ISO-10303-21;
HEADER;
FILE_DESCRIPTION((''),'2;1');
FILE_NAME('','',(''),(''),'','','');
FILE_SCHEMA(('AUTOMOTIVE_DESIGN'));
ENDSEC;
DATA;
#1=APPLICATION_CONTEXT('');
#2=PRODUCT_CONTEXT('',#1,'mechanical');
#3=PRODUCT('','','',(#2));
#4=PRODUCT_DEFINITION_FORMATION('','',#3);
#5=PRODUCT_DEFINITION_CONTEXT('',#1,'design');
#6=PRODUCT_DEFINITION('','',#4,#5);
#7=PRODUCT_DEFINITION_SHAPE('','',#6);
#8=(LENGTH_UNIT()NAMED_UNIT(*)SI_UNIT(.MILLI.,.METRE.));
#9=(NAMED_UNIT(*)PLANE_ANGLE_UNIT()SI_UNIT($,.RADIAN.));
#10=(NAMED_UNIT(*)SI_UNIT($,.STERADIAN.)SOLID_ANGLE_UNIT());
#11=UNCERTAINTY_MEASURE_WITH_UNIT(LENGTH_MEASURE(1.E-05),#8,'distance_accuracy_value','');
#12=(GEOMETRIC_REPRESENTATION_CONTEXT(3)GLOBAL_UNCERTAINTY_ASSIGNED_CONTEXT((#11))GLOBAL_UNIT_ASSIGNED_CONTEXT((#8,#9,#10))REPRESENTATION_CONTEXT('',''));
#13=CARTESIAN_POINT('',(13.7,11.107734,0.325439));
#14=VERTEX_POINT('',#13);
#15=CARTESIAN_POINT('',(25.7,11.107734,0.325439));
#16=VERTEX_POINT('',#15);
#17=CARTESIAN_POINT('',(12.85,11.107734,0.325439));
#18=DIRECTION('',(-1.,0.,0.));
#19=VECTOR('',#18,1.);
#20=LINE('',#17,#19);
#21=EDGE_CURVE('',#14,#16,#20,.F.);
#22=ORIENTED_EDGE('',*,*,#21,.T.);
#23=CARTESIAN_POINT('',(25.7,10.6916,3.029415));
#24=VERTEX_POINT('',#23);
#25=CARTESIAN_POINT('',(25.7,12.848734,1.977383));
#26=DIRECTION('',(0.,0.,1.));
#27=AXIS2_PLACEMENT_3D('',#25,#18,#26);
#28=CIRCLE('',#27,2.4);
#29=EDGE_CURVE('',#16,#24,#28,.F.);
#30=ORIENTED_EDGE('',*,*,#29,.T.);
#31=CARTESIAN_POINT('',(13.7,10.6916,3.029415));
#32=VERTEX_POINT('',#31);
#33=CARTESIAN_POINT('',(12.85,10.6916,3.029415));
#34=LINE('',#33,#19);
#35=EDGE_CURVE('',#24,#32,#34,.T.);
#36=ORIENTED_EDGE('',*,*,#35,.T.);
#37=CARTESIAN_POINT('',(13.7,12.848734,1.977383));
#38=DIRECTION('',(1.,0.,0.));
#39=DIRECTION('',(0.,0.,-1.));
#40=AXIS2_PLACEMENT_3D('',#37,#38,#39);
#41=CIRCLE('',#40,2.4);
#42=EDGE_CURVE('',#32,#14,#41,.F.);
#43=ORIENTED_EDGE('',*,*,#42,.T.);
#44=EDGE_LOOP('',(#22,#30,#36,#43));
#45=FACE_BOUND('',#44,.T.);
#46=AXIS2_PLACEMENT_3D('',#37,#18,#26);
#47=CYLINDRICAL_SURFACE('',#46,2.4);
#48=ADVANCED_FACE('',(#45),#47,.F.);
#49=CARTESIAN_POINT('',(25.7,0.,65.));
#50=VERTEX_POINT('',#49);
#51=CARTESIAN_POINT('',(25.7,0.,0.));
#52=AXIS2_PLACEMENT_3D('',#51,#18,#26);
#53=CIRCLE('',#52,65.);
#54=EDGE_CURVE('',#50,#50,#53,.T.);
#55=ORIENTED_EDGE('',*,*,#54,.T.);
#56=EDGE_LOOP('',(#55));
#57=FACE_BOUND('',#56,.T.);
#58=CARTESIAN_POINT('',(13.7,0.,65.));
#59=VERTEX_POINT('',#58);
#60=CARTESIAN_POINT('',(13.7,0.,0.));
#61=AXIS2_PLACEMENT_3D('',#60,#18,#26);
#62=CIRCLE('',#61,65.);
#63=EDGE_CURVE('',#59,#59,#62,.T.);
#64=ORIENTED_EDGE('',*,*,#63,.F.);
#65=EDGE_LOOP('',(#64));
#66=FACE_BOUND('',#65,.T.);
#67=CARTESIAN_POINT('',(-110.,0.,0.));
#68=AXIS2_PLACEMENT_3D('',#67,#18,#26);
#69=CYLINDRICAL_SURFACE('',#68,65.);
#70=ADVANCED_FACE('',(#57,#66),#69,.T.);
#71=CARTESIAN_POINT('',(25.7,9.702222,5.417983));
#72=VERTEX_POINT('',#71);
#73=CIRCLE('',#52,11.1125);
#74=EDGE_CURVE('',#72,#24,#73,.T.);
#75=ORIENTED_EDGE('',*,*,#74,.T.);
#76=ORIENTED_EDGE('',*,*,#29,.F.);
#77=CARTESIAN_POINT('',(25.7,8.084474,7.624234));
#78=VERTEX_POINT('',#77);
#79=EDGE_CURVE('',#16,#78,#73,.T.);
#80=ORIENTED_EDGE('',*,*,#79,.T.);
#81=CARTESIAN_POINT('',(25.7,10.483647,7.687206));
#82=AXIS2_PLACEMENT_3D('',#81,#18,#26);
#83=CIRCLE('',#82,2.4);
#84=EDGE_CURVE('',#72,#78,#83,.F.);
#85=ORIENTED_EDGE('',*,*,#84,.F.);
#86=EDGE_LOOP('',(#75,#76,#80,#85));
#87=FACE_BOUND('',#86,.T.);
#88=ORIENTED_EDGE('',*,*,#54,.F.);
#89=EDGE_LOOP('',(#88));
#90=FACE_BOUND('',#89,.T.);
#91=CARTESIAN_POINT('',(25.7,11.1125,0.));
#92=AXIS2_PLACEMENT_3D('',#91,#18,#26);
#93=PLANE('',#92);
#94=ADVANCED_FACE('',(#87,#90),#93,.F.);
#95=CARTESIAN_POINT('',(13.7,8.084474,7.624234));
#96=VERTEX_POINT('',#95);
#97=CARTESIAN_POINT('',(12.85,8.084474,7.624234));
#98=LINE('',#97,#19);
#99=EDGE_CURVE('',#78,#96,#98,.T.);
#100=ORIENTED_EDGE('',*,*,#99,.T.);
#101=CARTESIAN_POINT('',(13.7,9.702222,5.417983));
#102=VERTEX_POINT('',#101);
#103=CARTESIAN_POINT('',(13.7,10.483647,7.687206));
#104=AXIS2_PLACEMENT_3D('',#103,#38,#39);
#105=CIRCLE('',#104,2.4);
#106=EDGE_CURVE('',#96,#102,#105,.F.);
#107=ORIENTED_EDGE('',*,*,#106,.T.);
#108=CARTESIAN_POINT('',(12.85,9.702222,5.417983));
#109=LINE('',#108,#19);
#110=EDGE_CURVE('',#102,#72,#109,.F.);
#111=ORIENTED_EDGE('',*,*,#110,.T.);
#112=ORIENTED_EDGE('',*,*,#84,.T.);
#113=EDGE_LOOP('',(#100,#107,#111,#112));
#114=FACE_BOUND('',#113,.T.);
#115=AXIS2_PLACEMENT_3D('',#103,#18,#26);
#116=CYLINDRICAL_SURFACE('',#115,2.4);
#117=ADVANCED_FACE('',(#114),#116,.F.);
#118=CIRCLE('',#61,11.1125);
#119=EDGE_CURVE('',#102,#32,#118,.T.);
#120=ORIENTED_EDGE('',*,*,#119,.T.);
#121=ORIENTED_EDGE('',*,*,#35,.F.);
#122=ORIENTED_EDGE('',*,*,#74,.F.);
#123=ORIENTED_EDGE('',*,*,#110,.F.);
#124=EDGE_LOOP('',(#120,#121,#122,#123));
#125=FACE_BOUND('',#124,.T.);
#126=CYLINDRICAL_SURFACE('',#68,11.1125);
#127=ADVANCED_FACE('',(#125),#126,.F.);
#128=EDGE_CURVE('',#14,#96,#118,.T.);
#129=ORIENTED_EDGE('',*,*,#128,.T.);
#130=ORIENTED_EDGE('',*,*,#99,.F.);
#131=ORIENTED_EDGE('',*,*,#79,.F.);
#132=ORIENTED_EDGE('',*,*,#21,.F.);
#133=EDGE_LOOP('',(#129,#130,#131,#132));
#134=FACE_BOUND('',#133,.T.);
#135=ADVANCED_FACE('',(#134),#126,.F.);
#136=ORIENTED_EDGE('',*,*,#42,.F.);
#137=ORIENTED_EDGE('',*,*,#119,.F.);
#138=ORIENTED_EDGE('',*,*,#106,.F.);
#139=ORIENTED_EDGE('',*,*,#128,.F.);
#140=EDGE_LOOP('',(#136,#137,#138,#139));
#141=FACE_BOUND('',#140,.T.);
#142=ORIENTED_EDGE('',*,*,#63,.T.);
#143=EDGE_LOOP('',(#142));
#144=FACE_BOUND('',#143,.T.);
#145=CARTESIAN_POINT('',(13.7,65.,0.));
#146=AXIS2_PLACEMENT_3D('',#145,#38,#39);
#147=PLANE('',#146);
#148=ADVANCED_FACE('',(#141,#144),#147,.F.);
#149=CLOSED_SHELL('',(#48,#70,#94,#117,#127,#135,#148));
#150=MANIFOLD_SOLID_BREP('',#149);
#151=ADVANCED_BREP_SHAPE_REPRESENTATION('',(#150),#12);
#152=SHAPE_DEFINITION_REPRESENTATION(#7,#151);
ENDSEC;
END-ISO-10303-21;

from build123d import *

# Parameters (mm, degrees)
AXIAL_PROFILE_MM_W     = 12
AXIAL_PROFILE_MM_H     = 53.8875
AXIAL_HOLES_DEPTH      = 96.448886845
AXIAL_HOLES_DEPTH_BACK = 96.448886845
SKETCH2_R              = 2.4


with BuildPart() as part:
    # Axial profile (mm) → Full revolution (revolve)
    with BuildSketch(Plane.XY, mode=Mode.PRIVATE) as full_revolution_sk:
        with Locations((19.7, 38.05625)):
            Rectangle(AXIAL_PROFILE_MM_W, AXIAL_PROFILE_MM_H)
    revolve(full_revolution_sk.sketch.rotate(Axis((-110, 0, 0), (1, 0, 0)), 90), axis=Axis((-110, 0, 0), (1, 0, 0)))

    # Sketch2 → Axial holes (cut, two sides: drawn at the far end of the back side and taken through both)
    with BuildSketch(Plane(origin=(0, 0, 0), x_dir=(0, 0, -1), z_dir=(1, 0, 0)).offset(-AXIAL_HOLES_DEPTH_BACK)):
        with Locations((-1.977382665, 12.848733704)):
            Circle(SKETCH2_R)
        with Locations((-7.687206041, 10.483647423)):
            Circle(SKETCH2_R)
    extrude(amount=AXIAL_HOLES_DEPTH + AXIAL_HOLES_DEPTH_BACK, mode=Mode.SUBTRACT)


solid = part.part
